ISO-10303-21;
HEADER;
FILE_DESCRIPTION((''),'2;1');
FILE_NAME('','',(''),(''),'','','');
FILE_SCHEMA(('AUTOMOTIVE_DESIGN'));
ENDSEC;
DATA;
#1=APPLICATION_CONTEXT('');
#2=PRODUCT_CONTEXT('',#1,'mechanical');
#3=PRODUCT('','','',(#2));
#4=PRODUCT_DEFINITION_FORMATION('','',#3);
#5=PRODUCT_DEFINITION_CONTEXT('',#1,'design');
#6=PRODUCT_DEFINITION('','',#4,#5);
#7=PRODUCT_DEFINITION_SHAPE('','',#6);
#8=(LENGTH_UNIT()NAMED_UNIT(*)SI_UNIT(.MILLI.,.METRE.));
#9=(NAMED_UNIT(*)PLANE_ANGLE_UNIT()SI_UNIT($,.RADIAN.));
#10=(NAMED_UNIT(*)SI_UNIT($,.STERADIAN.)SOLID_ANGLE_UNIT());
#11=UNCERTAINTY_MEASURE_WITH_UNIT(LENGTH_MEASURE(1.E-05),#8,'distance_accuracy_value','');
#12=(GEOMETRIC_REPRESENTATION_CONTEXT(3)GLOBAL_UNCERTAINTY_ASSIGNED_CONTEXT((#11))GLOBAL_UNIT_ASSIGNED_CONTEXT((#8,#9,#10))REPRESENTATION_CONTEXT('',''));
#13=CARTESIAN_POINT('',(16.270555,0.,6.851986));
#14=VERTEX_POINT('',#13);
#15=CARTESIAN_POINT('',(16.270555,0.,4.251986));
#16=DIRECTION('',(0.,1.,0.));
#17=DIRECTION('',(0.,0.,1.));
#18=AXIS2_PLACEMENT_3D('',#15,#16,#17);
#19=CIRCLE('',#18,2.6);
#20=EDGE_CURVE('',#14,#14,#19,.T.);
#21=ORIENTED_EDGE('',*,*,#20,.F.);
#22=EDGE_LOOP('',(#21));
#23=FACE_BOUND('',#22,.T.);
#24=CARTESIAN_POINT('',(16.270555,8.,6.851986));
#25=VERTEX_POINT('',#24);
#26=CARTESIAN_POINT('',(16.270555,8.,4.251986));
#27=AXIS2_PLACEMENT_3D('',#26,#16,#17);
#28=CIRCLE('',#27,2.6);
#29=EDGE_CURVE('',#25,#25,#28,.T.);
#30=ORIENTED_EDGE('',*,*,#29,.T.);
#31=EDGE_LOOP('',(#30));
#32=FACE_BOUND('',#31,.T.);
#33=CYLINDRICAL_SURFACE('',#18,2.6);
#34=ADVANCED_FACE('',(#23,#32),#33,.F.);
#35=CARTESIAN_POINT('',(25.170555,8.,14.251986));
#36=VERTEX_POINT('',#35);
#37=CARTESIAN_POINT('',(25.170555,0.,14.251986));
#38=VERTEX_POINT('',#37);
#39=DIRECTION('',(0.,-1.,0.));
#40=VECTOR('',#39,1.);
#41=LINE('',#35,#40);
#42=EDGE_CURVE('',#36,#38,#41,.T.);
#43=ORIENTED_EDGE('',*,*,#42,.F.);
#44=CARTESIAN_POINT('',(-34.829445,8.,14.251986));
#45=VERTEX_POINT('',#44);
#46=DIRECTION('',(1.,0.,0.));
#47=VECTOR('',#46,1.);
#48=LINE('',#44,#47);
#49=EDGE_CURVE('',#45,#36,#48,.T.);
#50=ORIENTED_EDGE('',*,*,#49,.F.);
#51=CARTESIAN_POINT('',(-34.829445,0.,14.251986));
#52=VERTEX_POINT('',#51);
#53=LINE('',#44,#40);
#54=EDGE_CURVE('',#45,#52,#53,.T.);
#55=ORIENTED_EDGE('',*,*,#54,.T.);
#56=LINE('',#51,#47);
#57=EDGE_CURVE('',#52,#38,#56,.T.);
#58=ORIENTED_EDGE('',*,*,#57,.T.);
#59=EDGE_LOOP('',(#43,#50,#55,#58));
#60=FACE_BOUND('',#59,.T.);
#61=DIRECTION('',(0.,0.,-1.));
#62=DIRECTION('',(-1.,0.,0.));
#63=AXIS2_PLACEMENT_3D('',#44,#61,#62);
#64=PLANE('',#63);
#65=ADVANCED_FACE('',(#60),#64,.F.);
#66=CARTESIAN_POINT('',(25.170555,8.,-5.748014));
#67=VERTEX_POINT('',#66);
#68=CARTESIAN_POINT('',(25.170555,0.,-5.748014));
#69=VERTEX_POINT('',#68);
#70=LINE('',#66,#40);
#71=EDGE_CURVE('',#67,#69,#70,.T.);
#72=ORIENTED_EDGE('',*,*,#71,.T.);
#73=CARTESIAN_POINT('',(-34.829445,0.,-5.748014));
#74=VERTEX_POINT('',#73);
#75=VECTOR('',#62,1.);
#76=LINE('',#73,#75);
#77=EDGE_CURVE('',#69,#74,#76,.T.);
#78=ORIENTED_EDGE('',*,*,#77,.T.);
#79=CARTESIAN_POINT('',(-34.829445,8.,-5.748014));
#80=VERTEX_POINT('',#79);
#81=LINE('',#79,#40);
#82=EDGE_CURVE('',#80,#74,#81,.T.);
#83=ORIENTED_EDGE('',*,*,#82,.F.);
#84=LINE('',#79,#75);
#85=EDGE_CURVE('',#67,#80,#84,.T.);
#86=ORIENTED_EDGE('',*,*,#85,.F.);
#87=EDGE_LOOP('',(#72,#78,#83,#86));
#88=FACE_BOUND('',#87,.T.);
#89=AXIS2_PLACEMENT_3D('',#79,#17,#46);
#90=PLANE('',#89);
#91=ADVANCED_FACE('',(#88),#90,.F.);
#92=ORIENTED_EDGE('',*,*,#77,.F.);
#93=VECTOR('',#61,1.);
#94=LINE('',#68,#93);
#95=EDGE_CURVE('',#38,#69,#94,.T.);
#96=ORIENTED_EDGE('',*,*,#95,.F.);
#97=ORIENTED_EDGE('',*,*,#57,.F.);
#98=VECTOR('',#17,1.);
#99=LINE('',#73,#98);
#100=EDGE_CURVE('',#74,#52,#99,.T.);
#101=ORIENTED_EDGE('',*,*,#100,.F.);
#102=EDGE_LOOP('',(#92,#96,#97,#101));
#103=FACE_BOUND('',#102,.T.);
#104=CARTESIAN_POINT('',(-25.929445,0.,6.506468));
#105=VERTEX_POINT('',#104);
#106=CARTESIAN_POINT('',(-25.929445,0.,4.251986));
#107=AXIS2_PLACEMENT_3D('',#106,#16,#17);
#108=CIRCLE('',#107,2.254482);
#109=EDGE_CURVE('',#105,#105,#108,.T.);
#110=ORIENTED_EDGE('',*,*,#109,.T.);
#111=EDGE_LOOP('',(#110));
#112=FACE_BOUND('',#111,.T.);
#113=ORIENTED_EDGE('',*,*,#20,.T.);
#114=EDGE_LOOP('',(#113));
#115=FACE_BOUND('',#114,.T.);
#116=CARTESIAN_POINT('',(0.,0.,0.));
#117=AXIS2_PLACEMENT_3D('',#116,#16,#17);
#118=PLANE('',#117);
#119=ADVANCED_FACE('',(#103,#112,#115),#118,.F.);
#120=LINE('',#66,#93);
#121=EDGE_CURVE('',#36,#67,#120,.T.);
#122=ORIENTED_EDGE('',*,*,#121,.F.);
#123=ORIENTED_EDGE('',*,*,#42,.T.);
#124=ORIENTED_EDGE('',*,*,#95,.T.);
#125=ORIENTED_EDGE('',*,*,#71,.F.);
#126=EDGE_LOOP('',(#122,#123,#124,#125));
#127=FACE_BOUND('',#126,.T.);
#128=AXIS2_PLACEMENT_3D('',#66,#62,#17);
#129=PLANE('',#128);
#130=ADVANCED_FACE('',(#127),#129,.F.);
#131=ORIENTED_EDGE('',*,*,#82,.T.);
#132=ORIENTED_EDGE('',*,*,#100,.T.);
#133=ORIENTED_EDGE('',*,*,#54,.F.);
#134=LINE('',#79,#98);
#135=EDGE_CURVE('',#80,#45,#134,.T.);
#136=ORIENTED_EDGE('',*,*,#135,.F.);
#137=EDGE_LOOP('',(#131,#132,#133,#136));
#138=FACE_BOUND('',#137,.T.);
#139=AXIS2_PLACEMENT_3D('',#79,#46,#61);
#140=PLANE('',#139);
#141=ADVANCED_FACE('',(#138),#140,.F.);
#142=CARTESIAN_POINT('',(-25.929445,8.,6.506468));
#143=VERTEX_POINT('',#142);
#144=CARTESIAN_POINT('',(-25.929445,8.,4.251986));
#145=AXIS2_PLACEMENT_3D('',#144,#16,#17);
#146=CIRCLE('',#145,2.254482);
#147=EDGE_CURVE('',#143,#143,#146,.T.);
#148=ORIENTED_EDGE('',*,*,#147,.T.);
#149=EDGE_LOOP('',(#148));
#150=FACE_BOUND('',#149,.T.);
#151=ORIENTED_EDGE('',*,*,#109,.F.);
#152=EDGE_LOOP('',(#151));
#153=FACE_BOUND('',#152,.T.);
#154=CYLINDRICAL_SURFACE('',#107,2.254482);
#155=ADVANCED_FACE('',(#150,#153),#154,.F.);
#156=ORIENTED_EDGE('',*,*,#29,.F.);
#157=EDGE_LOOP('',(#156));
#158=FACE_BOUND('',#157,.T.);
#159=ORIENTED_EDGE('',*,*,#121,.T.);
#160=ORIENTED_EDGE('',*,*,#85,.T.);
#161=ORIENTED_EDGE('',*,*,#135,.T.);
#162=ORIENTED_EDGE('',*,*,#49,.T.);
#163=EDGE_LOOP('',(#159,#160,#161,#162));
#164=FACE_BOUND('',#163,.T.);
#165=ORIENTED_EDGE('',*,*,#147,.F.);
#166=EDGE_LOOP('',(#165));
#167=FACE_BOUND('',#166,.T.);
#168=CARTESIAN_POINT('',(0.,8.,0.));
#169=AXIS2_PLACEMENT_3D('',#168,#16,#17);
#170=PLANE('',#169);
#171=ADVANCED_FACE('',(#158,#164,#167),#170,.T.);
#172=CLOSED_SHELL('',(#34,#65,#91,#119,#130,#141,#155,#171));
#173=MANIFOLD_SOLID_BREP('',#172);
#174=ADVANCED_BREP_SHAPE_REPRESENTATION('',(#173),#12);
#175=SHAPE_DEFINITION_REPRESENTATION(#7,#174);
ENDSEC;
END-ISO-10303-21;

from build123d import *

# Parameters (mm, degrees)
SKETCH_1_W          = 60
SKETCH_1_H          = 20
EXTRUDE_1_DEPTH     = 8
SKETCH_2_R          = 2.254482182
SKETCH_2_R_2        = 2.6
CUT_EXTRUDE_1_DEPTH = 9


with BuildPart() as part:
    # 草图1 → 凸台-拉伸1 (new body)
    with BuildSketch(Plane(origin=(0, 0, 0), x_dir=(1, 0, 0), z_dir=(0, 1, 0))):
        with Locations((-4.829444607, -4.251986222)):
            Rectangle(SKETCH_1_W, SKETCH_1_H)
    extrude(amount=EXTRUDE_1_DEPTH)

    # 草图2 → 切除-拉伸1 (cut, through all)
    with BuildSketch(Plane(origin=(0, 8, 0), x_dir=(1, 0, 0), z_dir=(0, 1, 0))):
        with Locations((-25.929444607, -4.251986222)):
            Circle(SKETCH_2_R)
        with Locations((16.270555393, -4.251986222)):
            Circle(SKETCH_2_R_2)
    extrude(amount=-CUT_EXTRUDE_1_DEPTH, mode=Mode.SUBTRACT)


solid = part.part
